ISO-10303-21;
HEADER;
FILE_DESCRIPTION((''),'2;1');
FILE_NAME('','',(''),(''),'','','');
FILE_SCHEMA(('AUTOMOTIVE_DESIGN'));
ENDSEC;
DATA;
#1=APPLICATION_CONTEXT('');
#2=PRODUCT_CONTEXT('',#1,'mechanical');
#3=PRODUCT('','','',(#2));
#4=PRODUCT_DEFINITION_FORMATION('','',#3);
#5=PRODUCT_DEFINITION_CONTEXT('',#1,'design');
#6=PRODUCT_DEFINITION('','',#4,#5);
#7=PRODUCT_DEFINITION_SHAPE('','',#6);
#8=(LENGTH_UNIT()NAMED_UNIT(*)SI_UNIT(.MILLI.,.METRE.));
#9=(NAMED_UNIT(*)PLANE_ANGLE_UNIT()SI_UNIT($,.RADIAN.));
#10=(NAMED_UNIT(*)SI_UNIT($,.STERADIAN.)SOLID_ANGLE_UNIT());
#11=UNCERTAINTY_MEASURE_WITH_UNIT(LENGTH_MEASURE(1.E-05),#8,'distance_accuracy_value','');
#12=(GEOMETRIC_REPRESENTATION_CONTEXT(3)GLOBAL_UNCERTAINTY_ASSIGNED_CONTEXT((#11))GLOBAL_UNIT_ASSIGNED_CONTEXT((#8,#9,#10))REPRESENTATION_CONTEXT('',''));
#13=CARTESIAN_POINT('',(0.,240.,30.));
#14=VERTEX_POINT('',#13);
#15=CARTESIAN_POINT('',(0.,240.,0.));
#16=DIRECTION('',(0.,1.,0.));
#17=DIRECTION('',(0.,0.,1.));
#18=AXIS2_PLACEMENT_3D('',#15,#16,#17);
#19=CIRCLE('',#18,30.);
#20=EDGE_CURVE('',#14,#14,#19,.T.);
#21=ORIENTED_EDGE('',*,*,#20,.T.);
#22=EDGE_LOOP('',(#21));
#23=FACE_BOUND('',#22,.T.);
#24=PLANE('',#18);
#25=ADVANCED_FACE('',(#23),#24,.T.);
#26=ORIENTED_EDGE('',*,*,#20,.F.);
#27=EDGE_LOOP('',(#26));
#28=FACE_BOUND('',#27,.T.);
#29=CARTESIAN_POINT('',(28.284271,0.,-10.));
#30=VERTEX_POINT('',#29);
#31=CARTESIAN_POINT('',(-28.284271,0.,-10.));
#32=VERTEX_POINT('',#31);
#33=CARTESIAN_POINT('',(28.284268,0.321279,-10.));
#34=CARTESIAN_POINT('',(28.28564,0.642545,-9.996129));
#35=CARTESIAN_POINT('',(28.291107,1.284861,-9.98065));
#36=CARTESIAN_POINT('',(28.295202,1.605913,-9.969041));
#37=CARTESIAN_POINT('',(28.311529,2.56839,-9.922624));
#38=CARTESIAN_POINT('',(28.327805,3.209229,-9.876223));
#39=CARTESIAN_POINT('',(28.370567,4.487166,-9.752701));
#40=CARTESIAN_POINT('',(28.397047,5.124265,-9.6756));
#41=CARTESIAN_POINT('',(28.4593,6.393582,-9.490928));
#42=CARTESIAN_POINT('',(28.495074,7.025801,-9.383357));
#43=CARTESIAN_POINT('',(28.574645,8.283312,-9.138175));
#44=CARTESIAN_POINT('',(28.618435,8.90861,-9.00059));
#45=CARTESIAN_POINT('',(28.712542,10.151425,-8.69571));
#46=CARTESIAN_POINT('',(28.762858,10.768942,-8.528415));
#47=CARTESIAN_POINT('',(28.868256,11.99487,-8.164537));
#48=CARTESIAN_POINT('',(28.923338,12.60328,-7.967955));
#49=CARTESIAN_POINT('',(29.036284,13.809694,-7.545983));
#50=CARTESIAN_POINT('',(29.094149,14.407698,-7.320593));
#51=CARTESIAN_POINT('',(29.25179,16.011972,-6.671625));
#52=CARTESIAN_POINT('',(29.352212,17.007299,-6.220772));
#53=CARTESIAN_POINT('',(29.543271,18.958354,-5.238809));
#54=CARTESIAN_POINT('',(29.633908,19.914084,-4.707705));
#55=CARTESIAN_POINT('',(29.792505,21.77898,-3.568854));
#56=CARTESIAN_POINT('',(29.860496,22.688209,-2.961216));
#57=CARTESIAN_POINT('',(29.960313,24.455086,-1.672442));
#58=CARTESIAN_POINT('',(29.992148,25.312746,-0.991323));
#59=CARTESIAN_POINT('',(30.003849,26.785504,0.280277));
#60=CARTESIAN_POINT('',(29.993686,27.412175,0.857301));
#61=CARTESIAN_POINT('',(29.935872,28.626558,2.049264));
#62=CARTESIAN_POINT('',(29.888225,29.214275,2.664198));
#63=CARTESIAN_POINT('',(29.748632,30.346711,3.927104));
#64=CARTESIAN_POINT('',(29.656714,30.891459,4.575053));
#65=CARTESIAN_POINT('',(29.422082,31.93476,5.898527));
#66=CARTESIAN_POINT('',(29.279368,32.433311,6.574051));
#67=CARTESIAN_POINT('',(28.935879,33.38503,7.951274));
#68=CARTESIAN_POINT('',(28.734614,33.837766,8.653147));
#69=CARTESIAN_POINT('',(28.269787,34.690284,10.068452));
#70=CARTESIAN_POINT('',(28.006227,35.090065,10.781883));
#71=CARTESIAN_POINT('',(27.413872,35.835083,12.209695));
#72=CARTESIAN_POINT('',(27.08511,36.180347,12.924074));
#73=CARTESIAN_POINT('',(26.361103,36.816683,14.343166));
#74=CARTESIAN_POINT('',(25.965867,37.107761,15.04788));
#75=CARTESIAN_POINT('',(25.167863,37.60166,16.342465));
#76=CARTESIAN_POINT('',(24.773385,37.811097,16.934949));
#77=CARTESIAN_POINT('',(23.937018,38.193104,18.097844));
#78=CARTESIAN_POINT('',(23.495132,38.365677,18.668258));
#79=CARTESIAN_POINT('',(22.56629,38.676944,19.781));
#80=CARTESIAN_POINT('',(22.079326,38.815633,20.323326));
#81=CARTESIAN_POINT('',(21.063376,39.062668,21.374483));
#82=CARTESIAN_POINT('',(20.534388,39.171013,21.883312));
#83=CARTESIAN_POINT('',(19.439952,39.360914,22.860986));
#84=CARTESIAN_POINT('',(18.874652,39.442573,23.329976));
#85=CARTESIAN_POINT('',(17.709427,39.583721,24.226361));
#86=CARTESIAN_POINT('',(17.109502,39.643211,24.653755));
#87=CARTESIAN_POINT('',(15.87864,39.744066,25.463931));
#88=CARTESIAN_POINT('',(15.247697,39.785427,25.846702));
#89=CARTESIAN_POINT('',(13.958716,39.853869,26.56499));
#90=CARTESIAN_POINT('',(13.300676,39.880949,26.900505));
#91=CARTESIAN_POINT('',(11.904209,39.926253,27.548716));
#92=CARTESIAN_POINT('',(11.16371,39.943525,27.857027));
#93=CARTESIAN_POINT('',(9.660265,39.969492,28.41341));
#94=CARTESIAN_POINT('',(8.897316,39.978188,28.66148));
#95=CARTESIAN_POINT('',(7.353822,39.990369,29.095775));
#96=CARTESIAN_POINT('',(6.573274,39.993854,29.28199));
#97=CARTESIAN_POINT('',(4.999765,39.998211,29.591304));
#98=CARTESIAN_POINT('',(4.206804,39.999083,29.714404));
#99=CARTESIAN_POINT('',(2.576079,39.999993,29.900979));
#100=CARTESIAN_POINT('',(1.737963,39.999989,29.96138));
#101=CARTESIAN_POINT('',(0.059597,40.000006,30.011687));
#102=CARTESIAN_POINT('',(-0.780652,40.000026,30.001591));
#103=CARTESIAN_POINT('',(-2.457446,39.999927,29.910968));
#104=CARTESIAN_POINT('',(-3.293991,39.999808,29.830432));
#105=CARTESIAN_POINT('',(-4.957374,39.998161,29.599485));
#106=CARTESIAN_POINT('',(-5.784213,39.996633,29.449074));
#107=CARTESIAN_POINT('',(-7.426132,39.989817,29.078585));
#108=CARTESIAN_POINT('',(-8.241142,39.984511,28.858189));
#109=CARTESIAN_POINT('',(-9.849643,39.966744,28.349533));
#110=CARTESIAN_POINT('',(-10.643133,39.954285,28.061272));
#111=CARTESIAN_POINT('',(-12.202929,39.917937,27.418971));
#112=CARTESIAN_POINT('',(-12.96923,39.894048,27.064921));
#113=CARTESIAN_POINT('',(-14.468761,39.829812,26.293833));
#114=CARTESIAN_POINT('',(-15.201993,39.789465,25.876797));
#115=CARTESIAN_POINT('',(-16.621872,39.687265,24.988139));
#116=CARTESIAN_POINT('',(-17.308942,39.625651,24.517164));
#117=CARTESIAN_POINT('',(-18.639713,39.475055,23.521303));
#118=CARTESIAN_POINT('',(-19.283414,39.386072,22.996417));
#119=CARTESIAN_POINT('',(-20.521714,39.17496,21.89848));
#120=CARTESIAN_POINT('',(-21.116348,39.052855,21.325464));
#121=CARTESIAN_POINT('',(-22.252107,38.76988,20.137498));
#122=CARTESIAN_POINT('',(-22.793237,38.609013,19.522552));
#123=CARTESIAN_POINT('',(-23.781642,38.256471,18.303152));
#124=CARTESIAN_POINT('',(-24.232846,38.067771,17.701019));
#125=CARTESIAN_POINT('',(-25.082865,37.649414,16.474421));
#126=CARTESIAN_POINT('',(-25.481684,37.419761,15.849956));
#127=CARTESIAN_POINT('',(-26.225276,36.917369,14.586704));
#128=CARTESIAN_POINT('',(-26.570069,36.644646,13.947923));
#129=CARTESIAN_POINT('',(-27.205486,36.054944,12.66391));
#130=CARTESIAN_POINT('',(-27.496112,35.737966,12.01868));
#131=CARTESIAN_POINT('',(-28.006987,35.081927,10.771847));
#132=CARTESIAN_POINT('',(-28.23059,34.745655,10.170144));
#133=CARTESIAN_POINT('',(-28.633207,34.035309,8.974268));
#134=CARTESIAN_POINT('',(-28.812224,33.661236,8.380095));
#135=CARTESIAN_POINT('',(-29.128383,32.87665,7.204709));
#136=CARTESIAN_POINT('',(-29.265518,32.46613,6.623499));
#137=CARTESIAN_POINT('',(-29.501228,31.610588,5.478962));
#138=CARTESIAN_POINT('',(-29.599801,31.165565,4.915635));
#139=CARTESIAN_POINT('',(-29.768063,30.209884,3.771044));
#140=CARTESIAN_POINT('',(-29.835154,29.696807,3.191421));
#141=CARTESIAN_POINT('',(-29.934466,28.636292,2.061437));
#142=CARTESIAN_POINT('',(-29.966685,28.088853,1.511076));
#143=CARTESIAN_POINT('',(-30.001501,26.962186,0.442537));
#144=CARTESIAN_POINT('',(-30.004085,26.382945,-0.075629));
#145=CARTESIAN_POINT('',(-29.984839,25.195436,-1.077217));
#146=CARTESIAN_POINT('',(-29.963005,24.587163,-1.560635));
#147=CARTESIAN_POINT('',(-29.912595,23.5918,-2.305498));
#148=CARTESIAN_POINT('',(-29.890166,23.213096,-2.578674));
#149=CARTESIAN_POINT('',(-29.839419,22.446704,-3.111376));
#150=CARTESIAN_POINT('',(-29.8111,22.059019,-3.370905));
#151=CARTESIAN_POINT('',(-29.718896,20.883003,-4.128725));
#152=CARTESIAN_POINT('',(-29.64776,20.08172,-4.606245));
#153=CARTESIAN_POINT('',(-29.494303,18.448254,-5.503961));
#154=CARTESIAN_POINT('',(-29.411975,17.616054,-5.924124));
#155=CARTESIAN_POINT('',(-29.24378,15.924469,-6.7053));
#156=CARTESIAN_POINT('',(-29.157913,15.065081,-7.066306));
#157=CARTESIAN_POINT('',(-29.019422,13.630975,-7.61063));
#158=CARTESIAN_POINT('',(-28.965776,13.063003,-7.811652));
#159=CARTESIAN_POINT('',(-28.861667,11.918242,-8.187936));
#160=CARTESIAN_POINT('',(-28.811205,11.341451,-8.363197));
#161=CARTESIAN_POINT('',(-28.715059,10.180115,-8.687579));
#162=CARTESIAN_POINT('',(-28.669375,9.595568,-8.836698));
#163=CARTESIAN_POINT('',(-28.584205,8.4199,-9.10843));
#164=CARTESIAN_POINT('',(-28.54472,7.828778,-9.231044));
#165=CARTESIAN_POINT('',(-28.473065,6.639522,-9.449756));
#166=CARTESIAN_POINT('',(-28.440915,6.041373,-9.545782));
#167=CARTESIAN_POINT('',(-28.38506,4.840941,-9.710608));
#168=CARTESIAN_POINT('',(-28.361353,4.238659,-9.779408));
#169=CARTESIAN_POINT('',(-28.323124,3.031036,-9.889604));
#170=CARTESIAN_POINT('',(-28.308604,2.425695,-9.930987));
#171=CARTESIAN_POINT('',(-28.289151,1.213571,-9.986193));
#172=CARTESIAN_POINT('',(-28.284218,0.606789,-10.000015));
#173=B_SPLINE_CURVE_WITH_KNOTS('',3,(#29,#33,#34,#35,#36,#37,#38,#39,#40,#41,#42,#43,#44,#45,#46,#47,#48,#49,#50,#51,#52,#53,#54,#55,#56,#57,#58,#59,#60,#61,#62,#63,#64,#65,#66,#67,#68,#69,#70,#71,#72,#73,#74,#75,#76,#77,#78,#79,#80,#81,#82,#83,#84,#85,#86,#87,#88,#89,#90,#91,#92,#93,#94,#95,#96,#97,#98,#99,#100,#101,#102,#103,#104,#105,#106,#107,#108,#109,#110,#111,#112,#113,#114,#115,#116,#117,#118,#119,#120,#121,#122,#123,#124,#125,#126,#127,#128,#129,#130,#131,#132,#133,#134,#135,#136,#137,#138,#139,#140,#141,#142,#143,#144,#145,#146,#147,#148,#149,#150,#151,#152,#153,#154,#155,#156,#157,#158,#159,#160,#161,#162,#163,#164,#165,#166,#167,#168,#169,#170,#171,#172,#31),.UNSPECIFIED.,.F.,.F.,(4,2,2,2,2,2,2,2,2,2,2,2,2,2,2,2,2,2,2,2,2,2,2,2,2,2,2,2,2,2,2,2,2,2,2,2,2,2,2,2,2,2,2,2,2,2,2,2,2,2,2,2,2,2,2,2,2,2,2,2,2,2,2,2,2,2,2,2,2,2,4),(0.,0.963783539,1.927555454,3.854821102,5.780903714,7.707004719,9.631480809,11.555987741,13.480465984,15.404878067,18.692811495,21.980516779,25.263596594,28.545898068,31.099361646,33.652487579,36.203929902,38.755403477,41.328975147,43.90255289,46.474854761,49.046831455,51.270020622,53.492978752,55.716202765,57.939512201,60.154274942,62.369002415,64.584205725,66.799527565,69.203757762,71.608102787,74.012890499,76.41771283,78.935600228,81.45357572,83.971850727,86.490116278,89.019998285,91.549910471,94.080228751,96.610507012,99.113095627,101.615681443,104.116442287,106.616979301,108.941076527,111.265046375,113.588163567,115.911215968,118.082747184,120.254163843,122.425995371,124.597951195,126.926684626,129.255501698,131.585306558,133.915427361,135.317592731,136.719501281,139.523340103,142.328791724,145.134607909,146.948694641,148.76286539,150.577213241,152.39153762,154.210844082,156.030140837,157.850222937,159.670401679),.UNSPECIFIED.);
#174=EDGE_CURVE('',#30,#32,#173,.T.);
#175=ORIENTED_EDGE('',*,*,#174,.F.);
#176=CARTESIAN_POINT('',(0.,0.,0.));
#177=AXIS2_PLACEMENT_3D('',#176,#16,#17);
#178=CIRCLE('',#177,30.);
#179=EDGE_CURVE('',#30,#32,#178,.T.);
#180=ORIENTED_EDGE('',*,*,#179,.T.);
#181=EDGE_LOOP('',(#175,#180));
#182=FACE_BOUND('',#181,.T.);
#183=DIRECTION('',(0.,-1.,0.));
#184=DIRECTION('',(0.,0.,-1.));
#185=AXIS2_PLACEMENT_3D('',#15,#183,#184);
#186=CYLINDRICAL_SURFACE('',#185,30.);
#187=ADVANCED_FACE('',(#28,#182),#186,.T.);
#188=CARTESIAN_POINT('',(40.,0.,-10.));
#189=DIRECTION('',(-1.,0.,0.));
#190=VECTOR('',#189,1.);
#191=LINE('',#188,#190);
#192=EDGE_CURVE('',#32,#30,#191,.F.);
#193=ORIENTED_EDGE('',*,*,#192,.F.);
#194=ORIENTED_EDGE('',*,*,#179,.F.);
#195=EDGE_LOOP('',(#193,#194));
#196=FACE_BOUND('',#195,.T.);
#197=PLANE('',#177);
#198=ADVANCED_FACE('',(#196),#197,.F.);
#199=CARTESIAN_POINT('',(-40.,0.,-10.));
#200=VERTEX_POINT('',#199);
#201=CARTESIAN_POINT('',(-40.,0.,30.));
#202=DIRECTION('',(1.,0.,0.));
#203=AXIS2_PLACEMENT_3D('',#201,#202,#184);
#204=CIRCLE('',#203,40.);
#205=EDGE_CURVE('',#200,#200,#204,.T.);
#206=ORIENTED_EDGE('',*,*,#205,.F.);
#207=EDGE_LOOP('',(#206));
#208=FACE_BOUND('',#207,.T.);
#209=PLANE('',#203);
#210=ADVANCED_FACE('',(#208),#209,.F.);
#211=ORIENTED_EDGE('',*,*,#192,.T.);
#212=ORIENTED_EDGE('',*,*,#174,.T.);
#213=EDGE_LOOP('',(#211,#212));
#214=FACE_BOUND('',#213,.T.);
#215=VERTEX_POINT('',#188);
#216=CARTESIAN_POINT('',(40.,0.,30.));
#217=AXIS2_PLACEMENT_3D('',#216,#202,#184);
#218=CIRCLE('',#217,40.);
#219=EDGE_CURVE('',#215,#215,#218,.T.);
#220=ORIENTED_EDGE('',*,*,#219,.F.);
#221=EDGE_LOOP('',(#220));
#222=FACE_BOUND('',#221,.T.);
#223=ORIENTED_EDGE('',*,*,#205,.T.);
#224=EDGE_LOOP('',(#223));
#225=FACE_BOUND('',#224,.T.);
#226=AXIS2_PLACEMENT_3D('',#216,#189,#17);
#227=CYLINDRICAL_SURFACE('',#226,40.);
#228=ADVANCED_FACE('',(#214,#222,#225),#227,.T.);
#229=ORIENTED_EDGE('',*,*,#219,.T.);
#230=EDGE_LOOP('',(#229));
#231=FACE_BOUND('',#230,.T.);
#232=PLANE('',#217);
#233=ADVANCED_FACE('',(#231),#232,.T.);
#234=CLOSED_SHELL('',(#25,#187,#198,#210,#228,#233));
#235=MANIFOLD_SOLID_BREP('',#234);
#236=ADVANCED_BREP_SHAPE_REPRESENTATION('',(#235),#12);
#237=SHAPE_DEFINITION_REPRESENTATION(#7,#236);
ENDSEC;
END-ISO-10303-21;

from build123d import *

# Parameters (mm, degrees)
SKETCH_1_R      = 30
EXTRUDE_1_DEPTH = 240
SKETCH_2_R      = 40
EXTRUDE_2_DEPTH = 40


with BuildPart() as part:
    # 草图1 → 凸台-拉伸1 (new body)
    with BuildSketch(Plane(origin=(0, 0, 0), x_dir=(1, 0, 0), z_dir=(0, 1, 0))):
        with Locations(Location((0, 0, 0), (0, 0, 270))):
            Circle(SKETCH_1_R)
    extrude(amount=EXTRUDE_1_DEPTH)

    # 草图2 → 凸台-拉伸2 (add, symmetric)
    with BuildSketch(Plane(origin=(0, 0, 0), x_dir=(0, 0, -1), z_dir=(1, 0, 0))):
        with Locations((-30, 0)):
            Circle(SKETCH_2_R)
    extrude(amount=EXTRUDE_2_DEPTH, both=True)


solid = part.part
